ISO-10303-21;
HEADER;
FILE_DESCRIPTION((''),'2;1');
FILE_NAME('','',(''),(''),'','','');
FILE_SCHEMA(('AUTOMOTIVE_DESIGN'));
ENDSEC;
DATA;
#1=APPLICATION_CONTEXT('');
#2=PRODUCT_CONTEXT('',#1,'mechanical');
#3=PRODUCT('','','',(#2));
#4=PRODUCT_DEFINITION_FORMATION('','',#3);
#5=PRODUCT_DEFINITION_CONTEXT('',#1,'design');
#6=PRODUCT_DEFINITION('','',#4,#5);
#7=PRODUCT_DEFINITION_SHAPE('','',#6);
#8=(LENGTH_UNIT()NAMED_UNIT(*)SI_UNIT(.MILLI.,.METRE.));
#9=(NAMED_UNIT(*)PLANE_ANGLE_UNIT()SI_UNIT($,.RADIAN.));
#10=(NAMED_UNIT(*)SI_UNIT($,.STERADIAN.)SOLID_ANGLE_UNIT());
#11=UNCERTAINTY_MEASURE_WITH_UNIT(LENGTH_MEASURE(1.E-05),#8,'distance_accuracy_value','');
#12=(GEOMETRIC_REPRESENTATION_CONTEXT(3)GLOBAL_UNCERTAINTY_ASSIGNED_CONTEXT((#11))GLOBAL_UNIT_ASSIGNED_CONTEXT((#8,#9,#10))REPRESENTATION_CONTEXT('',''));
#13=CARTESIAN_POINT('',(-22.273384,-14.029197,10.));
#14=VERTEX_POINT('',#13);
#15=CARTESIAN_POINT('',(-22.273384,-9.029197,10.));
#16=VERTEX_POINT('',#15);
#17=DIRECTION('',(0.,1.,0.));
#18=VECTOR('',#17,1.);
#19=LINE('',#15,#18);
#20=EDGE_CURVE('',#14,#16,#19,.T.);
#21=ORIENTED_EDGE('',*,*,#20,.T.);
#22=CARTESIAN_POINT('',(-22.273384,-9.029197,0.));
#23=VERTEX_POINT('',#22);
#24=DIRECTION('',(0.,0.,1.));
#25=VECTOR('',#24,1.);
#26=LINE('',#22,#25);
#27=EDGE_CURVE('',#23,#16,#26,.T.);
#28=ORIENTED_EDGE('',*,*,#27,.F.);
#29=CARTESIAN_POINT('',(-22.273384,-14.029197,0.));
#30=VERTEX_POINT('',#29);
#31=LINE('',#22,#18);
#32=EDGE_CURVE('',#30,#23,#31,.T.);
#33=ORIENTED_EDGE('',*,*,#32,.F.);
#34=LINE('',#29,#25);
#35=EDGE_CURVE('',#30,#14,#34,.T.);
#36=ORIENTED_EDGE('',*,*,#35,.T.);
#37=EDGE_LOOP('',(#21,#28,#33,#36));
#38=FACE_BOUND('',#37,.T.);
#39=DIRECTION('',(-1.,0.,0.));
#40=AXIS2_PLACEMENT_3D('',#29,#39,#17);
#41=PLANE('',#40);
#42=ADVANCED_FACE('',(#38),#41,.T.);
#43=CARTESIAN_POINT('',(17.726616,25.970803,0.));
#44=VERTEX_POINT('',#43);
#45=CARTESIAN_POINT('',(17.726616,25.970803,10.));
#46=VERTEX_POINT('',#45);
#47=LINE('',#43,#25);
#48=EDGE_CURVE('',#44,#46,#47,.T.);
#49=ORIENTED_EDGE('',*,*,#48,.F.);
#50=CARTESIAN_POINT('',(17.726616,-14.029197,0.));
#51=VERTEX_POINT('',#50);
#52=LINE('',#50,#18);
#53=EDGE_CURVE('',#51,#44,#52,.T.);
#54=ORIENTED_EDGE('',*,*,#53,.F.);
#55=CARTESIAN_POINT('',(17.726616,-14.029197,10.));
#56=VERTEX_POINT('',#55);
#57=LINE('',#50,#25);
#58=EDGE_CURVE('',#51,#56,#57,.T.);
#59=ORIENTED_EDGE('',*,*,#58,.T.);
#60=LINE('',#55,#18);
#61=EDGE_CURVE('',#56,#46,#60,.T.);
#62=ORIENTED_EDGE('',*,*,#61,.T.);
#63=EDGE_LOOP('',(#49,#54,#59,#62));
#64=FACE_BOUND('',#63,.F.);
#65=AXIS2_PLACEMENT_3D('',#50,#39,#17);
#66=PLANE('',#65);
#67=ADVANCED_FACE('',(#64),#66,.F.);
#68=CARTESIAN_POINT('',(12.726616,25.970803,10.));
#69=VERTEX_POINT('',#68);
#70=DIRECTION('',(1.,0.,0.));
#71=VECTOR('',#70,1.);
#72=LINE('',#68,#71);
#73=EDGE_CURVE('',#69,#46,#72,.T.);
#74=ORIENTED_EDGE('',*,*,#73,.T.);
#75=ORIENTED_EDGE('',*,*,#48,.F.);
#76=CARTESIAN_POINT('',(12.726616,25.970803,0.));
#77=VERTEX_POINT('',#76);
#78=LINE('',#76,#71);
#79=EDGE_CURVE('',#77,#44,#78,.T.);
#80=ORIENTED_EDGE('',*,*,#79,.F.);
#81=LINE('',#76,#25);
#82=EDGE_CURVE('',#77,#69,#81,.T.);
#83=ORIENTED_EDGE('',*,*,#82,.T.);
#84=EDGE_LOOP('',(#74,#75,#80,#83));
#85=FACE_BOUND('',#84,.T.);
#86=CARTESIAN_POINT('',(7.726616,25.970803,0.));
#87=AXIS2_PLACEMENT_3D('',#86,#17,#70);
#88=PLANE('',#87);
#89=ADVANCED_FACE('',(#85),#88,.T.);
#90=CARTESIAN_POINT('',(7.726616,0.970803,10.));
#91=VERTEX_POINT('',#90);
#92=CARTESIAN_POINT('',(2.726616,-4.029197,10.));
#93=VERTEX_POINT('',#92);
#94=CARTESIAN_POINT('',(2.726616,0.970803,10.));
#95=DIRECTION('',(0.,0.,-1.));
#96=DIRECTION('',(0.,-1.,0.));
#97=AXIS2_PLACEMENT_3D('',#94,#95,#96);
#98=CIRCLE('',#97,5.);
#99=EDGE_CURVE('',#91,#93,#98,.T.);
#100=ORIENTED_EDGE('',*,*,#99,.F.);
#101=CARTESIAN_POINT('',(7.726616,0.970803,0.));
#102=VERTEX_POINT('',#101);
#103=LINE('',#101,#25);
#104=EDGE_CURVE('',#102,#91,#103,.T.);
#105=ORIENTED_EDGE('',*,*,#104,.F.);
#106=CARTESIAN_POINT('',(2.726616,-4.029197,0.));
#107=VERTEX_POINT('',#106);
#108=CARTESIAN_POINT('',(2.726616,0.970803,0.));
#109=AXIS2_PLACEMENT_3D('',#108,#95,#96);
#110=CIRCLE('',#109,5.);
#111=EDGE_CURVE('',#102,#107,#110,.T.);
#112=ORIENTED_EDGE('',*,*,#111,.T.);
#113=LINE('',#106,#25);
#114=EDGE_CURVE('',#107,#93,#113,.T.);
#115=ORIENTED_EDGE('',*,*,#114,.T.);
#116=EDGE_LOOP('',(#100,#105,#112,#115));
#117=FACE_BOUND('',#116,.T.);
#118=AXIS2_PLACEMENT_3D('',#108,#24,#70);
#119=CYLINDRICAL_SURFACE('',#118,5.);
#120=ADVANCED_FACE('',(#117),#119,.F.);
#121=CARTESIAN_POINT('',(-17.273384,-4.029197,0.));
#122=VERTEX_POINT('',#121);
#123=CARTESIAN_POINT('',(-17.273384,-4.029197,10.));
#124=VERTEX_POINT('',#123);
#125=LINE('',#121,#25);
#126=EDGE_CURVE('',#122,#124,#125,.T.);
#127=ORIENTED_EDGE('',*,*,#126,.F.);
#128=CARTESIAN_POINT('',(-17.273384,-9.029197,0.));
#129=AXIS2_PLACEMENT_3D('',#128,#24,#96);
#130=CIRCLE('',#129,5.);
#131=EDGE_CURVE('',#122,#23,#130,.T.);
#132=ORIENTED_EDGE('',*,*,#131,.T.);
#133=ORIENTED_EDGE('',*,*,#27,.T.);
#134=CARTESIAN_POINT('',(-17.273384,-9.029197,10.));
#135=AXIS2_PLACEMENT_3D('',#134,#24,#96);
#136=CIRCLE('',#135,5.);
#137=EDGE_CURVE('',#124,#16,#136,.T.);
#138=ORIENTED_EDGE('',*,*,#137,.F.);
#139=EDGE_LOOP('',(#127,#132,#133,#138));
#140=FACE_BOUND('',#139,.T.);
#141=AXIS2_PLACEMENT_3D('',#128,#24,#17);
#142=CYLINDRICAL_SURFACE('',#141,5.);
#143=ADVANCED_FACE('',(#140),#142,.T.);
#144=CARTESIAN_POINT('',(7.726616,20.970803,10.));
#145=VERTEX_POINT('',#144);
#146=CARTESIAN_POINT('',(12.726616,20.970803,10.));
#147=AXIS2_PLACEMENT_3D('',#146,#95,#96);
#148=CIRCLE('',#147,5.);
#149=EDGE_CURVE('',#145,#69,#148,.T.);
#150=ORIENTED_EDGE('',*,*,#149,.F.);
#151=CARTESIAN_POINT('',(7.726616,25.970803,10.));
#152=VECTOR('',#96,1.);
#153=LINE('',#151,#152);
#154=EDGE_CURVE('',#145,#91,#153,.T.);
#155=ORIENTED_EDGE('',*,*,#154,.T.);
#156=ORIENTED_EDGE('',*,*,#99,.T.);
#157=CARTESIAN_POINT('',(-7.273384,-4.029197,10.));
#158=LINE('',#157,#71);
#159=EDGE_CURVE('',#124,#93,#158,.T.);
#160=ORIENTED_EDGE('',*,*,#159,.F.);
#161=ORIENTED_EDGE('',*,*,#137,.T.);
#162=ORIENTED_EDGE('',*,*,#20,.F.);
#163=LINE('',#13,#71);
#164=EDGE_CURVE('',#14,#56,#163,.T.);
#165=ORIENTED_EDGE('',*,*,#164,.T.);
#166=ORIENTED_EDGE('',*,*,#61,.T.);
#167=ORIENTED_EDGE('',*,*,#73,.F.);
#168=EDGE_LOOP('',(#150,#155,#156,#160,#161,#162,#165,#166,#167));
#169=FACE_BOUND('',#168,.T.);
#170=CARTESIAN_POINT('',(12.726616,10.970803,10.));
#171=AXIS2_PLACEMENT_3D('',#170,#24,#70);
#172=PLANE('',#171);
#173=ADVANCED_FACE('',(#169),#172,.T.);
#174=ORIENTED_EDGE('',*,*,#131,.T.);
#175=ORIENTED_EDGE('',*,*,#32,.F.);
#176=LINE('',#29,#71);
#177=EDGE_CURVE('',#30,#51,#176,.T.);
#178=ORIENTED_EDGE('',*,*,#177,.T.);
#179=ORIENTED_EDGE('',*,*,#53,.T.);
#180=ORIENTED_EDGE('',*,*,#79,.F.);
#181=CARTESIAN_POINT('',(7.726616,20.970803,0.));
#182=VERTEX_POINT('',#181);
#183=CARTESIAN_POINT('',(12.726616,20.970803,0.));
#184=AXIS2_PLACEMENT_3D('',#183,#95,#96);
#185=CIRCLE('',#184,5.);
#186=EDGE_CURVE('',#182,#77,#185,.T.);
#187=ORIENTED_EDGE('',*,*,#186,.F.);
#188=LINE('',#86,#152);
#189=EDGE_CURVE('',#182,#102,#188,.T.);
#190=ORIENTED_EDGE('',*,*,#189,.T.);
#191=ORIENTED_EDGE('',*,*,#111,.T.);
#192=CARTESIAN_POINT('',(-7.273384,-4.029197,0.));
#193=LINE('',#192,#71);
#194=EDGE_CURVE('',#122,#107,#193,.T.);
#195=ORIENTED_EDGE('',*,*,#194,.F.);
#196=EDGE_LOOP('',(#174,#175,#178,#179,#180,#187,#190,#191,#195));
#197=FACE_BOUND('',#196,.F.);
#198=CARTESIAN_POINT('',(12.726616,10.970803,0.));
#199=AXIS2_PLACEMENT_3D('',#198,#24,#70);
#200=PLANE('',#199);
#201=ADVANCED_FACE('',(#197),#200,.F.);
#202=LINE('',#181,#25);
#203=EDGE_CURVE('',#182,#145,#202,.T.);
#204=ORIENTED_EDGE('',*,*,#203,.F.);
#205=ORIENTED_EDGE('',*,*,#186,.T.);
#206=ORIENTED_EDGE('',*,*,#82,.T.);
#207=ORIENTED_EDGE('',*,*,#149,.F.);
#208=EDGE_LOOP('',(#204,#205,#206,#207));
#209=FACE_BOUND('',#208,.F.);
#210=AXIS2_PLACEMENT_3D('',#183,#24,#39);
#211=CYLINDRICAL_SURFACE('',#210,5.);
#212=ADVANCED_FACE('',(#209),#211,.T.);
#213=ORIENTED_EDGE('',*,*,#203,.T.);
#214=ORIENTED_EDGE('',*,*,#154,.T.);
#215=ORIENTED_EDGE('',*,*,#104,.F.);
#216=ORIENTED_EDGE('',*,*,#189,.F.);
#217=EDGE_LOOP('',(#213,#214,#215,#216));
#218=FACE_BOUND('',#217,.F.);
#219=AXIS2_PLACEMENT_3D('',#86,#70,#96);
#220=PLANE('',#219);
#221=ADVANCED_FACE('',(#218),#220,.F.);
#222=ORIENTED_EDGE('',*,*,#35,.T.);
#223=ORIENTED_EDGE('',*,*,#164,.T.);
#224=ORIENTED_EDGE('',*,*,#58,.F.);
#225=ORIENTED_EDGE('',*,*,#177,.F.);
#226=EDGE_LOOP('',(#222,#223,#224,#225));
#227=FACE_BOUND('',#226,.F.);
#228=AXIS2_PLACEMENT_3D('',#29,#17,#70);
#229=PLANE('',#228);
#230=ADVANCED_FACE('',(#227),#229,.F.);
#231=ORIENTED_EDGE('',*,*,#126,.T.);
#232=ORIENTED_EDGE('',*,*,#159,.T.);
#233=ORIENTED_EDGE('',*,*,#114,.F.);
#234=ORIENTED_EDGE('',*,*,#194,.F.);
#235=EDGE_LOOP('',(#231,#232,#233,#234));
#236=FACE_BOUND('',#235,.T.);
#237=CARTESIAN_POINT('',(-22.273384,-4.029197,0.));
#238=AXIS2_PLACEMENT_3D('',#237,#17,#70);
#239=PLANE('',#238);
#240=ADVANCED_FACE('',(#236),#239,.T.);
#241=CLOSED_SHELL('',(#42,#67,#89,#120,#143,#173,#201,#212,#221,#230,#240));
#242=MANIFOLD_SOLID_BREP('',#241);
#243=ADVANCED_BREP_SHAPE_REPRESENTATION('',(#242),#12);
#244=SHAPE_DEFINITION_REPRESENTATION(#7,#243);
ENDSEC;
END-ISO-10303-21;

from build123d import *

# Parameters (mm, degrees)
F0_W     = 10
F0_H     = 30
F0_H_2   = 10
F0_W_2   = 30
F1_DEPTH = 10
F2_R     = 5


with BuildPart() as f1:
    # F0 (on Top) → F1 (new body)
    with BuildSketch(Plane.XY):
        with Locations((12.726616, 10.970803)):
            Rectangle(F0_W, F0_H)
        with Locations((12.726616, -9.029197)):
            Rectangle(F0_W, F0_H_2)
        with Locations((-7.273384, -9.029197)):
            Rectangle(F0_W_2, F0_H_2)
    extrude(amount=F1_DEPTH)

    # F2
    f2_edges = [f1.edges().sort_by_distance(p)[0] for p in [
        (7.726616, -4.029197, 5),
        (7.726616, 25.970803, 5),
        (-22.273384, -4.029197, 5),
    ]]
    fillet(f2_edges, radius=F2_R)


solid = f1.part
